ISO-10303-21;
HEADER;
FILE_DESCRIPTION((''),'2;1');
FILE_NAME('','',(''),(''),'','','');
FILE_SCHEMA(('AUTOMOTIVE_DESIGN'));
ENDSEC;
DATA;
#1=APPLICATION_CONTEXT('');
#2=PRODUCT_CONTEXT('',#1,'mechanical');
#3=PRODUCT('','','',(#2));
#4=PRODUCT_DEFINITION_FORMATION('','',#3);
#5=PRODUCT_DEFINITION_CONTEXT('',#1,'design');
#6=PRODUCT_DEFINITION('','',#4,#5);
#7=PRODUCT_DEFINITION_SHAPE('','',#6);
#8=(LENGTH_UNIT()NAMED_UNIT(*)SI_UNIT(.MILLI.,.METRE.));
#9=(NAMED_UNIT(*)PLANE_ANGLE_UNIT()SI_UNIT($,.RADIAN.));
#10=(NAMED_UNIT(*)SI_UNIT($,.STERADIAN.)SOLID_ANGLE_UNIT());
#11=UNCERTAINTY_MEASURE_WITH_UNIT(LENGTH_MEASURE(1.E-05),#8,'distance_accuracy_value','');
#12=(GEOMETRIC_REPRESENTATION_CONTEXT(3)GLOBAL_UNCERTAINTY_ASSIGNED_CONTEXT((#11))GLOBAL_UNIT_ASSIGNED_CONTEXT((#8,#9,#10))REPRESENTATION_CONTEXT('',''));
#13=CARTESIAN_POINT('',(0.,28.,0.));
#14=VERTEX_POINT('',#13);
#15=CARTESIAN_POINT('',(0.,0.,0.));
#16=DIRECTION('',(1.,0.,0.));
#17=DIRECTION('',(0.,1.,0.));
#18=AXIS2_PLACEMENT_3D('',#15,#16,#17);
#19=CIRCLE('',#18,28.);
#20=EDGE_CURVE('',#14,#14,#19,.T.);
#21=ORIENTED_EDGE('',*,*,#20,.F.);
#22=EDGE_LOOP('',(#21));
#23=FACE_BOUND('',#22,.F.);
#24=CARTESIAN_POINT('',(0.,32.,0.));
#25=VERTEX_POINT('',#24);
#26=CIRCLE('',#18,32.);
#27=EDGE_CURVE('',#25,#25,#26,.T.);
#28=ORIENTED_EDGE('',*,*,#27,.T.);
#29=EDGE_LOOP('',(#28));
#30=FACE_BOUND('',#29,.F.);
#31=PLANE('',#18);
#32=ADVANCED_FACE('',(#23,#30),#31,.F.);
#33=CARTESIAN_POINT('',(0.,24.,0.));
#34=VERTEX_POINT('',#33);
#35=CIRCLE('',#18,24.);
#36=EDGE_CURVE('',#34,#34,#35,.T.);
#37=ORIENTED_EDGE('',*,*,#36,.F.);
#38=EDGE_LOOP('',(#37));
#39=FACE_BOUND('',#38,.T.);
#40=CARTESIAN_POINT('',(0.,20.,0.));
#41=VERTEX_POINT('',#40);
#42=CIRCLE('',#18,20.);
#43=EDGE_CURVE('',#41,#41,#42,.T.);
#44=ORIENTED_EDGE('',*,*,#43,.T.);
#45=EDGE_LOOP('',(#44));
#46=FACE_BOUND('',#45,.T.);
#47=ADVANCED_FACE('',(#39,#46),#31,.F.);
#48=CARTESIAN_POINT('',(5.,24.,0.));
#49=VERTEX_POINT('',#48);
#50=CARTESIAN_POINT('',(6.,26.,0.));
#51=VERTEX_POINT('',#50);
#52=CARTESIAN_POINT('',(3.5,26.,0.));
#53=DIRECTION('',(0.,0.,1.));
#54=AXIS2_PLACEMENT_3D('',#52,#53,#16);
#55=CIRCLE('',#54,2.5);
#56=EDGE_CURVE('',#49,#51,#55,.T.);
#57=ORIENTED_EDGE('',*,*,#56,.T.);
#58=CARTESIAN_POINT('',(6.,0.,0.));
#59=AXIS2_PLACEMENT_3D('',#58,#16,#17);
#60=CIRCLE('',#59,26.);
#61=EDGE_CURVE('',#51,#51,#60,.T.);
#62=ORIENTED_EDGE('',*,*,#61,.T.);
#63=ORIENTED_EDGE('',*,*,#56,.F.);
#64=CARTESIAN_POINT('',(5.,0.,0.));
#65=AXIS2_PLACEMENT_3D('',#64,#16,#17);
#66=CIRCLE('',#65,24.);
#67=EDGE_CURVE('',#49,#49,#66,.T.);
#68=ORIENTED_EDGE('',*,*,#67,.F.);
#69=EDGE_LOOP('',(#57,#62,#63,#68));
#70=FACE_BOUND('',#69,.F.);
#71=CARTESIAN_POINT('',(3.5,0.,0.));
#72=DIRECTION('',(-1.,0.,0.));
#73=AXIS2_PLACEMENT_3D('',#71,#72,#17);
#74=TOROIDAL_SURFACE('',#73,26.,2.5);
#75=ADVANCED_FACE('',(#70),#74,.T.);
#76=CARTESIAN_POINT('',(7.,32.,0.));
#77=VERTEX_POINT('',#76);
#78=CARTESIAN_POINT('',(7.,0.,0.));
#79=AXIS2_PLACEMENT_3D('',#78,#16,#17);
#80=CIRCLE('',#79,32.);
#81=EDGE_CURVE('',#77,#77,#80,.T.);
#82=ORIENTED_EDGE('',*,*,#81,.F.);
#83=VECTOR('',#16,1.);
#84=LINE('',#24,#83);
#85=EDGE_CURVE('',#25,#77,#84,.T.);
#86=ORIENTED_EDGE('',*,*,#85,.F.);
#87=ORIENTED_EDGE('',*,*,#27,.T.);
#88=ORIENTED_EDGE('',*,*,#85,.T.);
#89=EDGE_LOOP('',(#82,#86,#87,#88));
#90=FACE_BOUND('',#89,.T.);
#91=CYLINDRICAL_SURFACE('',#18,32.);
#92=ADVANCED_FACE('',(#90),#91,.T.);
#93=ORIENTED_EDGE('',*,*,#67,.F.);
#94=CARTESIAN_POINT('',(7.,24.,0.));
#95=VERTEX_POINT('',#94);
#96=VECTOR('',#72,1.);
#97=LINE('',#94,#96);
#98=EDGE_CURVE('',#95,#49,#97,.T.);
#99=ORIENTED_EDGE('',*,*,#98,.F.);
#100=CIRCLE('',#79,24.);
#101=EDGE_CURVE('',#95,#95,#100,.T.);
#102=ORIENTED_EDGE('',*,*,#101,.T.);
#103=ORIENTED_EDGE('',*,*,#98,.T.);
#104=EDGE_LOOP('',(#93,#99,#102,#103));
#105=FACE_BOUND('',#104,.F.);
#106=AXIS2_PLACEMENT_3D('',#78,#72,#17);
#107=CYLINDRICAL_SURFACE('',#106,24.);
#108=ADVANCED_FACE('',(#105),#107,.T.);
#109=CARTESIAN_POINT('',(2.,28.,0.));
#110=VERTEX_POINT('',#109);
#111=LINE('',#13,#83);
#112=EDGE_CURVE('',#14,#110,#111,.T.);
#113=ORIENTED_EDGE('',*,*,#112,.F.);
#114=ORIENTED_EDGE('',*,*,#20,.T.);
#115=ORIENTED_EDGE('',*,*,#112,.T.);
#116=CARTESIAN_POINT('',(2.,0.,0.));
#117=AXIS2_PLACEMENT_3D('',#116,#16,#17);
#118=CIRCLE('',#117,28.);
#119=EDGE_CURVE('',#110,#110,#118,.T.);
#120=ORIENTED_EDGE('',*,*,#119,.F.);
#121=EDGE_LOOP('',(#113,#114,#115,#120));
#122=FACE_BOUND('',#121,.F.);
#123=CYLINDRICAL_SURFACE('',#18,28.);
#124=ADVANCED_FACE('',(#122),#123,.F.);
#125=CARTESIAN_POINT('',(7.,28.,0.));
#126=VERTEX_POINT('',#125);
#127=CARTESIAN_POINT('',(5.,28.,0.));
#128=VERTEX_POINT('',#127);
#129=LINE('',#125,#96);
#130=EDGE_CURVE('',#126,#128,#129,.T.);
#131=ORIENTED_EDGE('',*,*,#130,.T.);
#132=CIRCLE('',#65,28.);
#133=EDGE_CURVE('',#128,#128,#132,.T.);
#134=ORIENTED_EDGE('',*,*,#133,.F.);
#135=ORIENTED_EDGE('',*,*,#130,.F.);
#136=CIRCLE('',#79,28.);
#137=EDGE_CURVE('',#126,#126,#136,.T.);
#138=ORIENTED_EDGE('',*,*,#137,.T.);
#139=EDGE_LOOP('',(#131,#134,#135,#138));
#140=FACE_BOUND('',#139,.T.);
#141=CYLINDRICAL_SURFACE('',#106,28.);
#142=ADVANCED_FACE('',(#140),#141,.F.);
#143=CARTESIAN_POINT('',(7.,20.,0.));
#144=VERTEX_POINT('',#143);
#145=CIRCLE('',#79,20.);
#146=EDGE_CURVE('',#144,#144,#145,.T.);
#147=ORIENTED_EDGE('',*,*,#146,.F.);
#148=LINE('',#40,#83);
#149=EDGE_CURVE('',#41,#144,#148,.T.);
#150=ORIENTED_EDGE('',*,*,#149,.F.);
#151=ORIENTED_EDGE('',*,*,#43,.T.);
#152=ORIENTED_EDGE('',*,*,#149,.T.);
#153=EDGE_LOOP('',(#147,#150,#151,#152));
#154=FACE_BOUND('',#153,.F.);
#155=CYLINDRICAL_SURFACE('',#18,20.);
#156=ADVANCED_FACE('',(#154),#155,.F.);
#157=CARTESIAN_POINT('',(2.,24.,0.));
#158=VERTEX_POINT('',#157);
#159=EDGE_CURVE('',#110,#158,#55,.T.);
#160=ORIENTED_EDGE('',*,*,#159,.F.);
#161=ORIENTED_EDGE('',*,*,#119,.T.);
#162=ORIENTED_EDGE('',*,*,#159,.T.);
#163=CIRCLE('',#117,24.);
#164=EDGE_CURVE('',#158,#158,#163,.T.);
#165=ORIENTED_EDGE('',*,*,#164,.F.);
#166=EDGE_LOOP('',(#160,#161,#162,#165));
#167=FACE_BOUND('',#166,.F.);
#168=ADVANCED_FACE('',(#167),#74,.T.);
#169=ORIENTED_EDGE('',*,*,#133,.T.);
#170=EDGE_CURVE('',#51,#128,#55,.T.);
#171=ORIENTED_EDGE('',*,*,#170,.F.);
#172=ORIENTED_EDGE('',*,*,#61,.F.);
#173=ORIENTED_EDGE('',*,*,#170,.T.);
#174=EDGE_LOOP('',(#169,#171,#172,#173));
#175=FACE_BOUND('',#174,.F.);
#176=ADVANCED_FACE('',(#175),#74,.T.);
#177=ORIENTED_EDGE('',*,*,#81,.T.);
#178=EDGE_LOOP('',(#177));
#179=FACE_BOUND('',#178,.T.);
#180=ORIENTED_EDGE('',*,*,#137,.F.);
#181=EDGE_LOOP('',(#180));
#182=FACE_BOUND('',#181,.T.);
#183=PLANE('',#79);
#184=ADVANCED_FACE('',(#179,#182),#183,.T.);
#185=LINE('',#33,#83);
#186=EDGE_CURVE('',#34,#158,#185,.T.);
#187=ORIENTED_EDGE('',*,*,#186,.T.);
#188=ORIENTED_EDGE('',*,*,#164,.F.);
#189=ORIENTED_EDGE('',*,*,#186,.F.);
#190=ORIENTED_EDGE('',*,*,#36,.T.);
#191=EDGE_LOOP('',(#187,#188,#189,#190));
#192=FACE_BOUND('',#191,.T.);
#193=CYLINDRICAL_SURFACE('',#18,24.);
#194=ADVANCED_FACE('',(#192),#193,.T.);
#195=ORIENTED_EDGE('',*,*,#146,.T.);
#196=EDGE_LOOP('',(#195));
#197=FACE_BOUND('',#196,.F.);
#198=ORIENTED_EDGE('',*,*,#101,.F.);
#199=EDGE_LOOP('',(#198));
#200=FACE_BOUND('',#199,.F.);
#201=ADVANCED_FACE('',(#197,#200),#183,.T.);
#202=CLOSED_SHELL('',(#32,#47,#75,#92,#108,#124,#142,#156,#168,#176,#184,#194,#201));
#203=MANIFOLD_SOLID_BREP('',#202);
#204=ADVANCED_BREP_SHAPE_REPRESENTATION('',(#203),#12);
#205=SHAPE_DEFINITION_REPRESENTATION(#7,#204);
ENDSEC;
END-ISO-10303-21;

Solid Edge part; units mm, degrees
sketch "Sketch1" plane through (0, 0, 0) normal (0, 0, 1) x (1, 0, 0)
  line L0 (0, 32) -> (7, 32)
  line L1 (7, 32) -> (7, 28)
  line L2 (7, 28) -> (5, 28)
  line L3 (2, 28) -> (5, 28)
  line L4 (0, 28) -> (2, 28)
  line L5 (0, 32) -> (0, 28)
  line L6 (0, 20) -> (7, 20)
  line L7 (7, 20) -> (7, 24)
  line L8 (7, 24) -> (5, 24)
  line L9 (2, 24) -> (5, 24)
  line L10 (0, 24) -> (2, 24)
  line L11 (0, 20) -> (0, 24)
  circle A0 centre (3.5, 26) radius 2.5
  dimension "D1" = 4
  dimension "D2" = 7
  dimension "D3" = 4
  dimension "D4" = 7
  dimension "D5" = 20
  dimension "D6" = 2
  dimension "D7" = 2
  dimension "D8" = 4
  dimension "D9" = 4
  dimension "D10" = 2
  dimension "D11" = 2
revolve "RevolvedProtrusion1" add sketch "Sketch1" angle 360 about axis through (0, 0, 0) along (1, 0, 0)
properties material "Aluminum, 6061-T6"
